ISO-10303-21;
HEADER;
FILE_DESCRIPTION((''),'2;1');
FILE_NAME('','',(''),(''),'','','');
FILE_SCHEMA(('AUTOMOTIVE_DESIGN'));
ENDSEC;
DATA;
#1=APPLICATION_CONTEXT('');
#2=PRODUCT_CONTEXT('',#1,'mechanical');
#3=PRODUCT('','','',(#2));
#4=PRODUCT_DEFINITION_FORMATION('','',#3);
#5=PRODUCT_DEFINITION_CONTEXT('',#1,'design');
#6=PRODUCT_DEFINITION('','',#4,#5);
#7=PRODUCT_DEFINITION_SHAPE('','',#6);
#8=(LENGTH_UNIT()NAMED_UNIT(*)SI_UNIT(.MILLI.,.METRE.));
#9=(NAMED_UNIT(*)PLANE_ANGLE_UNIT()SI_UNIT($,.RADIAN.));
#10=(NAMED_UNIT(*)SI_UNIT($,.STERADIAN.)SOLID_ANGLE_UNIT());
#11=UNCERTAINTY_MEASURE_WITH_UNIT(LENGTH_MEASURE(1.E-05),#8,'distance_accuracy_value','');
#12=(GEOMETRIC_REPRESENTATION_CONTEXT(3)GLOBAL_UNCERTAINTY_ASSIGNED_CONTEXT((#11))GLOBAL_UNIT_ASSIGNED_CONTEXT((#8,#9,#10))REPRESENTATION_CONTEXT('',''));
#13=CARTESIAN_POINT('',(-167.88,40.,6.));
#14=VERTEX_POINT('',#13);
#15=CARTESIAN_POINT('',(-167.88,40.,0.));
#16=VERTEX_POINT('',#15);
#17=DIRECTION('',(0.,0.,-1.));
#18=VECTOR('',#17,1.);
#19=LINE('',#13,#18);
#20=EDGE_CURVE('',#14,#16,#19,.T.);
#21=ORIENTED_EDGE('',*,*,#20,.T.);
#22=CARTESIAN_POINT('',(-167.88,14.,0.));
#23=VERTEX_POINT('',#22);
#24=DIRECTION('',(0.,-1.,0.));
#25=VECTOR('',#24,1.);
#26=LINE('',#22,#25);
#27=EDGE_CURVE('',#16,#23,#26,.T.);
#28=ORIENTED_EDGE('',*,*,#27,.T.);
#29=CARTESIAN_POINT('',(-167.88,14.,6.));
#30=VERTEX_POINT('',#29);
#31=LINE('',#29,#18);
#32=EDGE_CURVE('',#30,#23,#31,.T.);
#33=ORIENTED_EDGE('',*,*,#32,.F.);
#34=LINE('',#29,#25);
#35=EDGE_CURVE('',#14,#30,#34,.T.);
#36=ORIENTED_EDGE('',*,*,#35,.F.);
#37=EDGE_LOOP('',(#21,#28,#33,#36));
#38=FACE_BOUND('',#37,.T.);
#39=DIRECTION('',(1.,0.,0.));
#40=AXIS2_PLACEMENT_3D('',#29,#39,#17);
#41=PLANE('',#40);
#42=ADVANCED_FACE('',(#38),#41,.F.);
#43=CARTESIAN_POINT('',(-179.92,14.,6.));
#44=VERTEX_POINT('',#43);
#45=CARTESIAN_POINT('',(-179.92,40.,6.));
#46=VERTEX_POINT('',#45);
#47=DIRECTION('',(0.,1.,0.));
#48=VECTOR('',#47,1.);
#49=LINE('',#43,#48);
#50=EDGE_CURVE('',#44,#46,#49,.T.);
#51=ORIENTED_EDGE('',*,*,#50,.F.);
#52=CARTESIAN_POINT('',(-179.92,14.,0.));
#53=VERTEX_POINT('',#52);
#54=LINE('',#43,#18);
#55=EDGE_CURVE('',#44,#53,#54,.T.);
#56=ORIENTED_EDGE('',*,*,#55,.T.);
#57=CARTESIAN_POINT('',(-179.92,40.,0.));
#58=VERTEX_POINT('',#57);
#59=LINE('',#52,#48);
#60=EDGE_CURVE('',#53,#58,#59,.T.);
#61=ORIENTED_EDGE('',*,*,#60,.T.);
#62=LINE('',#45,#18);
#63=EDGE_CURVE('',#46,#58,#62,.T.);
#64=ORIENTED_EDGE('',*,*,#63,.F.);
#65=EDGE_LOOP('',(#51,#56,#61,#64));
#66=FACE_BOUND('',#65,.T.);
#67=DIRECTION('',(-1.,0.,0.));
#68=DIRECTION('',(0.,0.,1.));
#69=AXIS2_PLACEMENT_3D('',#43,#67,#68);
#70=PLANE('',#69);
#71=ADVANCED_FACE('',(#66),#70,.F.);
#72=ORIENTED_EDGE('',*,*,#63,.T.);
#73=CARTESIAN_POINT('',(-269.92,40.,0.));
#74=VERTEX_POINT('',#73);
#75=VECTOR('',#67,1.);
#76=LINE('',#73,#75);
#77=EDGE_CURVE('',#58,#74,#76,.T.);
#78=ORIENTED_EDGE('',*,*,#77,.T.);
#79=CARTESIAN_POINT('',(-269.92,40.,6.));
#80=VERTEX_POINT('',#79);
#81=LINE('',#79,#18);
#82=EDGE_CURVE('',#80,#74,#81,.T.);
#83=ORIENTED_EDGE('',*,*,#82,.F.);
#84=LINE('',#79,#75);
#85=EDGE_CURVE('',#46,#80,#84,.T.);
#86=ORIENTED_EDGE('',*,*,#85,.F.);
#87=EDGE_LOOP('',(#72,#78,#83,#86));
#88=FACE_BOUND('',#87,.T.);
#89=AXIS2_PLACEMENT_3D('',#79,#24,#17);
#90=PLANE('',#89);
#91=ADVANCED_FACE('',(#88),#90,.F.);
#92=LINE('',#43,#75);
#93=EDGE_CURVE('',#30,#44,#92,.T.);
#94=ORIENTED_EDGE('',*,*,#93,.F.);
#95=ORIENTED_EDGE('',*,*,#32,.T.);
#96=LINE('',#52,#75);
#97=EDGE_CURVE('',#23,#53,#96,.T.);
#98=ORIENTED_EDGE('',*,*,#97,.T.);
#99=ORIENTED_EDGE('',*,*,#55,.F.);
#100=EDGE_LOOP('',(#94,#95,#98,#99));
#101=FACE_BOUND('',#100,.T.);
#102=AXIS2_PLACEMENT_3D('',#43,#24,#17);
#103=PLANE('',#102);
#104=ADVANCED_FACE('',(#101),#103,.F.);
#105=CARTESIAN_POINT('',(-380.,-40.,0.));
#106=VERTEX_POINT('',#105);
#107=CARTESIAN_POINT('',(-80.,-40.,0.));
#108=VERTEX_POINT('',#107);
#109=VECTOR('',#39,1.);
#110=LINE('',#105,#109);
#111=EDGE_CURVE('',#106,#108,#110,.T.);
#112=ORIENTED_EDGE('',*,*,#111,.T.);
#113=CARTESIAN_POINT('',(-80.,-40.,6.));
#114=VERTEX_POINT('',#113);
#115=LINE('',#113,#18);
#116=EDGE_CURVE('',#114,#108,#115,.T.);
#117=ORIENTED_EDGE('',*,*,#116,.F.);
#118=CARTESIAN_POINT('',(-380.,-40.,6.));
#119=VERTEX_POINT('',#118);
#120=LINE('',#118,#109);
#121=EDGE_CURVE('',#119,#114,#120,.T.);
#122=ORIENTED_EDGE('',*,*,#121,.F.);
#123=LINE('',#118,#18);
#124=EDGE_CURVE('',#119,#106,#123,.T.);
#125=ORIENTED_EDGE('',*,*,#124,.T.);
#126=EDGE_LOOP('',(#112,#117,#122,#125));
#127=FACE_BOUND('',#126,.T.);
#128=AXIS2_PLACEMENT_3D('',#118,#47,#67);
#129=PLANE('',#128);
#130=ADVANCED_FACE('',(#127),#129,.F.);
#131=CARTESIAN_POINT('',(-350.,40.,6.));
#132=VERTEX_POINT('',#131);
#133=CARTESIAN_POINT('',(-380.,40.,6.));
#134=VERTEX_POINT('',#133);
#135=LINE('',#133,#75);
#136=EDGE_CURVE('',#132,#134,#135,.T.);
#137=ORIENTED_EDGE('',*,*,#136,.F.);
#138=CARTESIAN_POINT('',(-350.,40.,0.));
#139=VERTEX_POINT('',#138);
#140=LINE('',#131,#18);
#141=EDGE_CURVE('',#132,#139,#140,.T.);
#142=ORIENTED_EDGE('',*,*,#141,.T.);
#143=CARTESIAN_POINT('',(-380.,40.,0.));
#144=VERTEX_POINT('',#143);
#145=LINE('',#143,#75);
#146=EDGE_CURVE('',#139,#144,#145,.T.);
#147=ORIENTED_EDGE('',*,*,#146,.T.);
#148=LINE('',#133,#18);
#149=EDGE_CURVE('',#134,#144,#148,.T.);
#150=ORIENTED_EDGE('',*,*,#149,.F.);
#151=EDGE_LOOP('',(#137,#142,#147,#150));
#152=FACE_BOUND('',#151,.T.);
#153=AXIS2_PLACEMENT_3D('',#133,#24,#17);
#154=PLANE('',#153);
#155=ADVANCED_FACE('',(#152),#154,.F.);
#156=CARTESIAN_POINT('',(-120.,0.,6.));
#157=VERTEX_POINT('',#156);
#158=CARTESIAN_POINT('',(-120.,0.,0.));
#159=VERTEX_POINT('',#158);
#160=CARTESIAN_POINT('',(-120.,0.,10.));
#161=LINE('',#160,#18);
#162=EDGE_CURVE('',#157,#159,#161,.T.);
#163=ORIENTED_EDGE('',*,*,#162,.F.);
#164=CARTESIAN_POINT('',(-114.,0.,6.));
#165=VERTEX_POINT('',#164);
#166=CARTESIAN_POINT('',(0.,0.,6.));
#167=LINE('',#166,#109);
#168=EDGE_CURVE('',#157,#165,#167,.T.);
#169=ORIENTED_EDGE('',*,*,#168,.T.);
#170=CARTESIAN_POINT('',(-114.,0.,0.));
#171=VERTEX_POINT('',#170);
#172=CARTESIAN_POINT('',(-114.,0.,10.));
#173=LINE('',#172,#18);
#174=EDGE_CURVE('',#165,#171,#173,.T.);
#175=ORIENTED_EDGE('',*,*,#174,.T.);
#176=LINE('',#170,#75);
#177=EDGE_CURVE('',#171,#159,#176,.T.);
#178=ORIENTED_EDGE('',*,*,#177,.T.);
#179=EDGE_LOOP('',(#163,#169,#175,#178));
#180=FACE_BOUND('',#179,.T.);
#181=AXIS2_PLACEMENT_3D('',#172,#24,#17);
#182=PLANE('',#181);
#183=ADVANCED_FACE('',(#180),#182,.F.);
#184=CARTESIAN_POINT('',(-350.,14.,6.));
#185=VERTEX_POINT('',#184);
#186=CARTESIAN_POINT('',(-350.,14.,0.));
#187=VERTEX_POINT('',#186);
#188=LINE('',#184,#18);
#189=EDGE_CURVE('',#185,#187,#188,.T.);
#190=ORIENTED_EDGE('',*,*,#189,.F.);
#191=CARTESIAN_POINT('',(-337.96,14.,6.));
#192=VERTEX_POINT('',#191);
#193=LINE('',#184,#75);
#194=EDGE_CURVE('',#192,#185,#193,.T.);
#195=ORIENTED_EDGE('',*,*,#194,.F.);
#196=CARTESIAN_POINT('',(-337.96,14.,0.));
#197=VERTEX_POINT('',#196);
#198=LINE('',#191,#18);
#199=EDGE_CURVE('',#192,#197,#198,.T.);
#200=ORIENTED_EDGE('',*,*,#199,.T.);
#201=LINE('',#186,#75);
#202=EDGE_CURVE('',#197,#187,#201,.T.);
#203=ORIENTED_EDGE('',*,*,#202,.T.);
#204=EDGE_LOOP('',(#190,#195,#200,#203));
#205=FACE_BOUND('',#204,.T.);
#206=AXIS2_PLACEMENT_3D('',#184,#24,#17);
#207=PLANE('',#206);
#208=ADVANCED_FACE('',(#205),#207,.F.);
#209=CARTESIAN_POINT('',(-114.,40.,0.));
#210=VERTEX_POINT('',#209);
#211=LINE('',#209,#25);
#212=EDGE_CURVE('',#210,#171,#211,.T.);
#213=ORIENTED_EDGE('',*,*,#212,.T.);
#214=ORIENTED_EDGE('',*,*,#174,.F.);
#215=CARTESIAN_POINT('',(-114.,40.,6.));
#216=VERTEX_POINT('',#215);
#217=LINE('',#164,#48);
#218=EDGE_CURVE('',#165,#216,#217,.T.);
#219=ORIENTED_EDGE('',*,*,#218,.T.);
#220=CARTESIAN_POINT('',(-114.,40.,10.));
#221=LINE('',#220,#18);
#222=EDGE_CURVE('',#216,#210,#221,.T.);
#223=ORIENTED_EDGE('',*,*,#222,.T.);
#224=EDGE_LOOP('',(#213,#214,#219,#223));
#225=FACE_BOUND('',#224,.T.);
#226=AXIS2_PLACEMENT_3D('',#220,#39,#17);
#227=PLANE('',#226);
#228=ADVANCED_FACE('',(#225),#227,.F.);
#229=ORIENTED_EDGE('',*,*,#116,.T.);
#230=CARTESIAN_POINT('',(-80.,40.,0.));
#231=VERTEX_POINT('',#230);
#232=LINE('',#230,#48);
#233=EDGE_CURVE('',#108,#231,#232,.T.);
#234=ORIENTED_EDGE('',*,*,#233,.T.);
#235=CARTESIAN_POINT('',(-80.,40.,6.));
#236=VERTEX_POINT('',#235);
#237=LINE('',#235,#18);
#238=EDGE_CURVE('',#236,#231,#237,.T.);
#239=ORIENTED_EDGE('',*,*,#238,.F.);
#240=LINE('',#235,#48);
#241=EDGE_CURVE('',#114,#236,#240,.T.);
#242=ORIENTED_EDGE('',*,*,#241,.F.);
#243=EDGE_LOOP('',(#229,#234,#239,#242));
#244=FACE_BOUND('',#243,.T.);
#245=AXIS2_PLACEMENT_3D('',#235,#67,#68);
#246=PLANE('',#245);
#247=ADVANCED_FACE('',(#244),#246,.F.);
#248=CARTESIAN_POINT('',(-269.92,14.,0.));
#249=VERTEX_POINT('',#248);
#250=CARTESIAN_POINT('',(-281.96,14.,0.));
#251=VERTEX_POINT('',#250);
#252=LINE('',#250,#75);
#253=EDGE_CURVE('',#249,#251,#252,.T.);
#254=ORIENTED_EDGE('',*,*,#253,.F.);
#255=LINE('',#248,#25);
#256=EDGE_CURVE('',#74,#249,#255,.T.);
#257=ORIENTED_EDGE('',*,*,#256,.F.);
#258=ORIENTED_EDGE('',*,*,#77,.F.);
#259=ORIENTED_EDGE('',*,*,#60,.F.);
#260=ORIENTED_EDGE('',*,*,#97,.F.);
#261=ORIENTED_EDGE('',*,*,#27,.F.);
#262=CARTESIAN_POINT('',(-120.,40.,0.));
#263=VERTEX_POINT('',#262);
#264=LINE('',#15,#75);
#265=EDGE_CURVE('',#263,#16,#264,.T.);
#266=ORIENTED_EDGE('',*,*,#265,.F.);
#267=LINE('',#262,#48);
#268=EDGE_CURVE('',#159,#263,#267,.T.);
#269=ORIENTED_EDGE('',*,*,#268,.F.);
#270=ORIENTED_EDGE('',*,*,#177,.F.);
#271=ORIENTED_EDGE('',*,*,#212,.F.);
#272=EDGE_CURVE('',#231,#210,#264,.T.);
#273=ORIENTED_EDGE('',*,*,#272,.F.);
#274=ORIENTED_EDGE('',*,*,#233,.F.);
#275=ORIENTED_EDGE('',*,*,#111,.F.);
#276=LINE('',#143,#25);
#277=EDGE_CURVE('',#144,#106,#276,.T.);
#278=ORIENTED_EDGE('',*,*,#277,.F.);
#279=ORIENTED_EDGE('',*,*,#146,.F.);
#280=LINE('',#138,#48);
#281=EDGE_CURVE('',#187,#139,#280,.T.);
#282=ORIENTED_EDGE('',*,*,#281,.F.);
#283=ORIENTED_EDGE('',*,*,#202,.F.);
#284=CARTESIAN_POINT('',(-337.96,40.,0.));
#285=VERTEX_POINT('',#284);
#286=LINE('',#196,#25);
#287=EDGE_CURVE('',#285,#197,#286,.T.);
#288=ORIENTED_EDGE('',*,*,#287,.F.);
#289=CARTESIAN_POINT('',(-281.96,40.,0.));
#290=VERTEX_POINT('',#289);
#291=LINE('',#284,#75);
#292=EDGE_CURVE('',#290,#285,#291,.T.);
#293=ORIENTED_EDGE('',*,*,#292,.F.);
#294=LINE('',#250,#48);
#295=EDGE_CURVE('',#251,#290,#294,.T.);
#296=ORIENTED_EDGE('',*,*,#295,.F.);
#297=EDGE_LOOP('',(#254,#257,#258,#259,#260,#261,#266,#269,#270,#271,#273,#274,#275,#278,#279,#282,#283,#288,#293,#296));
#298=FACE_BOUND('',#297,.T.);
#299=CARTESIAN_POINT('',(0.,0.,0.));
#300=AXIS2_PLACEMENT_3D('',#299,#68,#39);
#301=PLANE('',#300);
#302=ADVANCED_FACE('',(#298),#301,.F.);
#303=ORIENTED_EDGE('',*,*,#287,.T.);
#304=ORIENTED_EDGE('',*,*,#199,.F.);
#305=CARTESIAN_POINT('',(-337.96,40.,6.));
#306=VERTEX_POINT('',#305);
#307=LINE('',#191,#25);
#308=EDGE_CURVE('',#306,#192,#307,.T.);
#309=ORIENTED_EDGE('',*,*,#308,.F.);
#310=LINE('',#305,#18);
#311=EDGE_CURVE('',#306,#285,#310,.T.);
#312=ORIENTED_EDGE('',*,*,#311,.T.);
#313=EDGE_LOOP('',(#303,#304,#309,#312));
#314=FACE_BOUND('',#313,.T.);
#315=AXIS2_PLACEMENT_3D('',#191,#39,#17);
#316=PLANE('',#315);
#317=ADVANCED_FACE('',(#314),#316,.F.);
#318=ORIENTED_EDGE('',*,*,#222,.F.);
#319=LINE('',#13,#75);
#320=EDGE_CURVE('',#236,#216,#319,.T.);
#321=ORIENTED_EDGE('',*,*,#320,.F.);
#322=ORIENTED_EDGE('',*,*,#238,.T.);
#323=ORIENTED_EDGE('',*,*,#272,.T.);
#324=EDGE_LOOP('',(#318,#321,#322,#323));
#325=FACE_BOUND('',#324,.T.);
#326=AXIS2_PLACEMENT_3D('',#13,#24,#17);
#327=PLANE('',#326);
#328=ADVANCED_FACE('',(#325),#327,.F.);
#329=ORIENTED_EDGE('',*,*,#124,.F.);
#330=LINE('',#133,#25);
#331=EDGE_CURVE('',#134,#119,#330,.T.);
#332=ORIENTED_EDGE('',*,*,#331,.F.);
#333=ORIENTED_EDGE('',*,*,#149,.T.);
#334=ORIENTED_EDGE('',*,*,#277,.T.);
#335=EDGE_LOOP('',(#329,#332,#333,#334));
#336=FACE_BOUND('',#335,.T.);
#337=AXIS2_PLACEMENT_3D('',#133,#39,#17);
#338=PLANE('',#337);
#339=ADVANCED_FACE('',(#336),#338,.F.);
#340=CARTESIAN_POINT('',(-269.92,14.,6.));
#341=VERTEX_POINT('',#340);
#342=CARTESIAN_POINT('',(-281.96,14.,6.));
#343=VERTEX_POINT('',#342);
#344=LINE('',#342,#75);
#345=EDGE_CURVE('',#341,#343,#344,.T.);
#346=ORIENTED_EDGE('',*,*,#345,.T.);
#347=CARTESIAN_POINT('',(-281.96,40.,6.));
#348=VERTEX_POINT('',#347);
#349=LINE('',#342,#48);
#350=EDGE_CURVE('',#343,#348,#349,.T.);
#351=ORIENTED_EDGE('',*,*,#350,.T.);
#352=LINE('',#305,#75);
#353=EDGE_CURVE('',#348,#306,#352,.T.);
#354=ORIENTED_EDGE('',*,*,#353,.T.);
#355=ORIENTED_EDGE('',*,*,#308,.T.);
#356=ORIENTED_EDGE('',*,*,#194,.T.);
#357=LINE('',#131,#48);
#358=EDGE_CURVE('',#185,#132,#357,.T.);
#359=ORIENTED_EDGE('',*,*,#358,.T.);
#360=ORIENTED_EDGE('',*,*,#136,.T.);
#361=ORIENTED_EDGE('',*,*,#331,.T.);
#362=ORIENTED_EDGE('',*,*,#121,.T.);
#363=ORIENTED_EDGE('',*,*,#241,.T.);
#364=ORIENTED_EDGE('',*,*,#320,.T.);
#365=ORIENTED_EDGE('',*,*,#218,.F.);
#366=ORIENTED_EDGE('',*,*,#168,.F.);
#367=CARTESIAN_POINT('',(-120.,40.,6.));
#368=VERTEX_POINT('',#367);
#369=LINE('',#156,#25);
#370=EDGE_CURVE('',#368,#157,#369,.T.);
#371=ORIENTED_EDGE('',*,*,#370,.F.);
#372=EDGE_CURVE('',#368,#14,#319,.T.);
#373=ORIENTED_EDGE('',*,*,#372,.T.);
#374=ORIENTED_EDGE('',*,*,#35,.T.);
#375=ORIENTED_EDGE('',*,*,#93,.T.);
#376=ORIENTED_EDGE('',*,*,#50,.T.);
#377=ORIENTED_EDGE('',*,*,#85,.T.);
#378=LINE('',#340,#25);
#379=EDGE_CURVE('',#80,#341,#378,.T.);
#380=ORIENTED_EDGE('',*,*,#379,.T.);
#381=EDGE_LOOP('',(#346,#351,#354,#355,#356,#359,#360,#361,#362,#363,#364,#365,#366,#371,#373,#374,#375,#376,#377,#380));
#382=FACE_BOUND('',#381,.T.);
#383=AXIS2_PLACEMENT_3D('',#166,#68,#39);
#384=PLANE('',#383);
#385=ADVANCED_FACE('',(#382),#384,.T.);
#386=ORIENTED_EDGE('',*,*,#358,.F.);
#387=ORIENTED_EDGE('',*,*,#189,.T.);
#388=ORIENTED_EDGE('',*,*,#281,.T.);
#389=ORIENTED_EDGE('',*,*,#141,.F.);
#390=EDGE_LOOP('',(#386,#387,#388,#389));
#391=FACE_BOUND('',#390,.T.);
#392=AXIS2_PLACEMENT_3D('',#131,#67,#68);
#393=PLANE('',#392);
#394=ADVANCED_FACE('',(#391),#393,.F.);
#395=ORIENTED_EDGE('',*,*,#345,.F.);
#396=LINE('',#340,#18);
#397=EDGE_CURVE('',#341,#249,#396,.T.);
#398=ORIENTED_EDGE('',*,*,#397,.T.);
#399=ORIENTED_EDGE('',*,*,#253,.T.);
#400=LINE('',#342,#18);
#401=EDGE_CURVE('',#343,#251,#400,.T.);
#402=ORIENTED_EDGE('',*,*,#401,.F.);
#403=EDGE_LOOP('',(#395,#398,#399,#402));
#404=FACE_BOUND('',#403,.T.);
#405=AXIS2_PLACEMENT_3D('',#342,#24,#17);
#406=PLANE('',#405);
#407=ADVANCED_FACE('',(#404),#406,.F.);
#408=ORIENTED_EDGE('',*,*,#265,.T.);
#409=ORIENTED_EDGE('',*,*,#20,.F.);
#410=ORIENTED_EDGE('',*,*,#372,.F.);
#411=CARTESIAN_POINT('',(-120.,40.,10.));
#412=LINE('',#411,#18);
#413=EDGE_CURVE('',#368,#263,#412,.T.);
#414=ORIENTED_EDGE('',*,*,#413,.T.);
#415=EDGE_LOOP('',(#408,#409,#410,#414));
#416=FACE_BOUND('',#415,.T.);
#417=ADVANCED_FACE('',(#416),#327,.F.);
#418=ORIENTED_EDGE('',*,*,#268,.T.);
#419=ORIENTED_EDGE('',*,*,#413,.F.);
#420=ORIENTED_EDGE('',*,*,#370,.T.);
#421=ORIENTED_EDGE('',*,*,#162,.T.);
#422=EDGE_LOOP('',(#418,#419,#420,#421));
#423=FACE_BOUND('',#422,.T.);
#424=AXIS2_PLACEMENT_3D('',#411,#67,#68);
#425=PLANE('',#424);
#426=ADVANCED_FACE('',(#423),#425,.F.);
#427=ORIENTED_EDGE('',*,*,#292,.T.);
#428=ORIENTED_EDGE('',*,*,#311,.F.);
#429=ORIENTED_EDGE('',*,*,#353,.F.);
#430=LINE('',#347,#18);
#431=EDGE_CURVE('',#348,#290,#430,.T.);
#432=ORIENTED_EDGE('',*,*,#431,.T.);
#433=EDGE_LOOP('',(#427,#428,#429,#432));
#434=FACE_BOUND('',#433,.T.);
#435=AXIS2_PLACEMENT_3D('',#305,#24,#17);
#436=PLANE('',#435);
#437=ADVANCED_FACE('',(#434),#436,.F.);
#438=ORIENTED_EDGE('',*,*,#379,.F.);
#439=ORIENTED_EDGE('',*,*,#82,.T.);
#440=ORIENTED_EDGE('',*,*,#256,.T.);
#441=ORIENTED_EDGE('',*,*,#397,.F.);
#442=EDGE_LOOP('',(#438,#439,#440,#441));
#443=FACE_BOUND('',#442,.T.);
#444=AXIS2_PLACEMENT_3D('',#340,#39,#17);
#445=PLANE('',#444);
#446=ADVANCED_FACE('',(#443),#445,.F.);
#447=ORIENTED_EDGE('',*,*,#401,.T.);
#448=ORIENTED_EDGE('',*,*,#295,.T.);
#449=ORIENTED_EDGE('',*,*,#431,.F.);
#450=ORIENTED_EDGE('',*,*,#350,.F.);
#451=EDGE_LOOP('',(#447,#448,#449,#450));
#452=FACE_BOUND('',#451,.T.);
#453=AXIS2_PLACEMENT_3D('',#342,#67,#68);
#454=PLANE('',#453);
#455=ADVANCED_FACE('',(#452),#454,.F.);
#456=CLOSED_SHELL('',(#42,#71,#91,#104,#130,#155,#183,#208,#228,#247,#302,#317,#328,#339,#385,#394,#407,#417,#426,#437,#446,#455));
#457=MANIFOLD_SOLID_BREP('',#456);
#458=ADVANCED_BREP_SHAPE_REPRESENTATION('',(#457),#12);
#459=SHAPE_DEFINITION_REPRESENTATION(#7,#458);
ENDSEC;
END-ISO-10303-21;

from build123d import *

# Parameters (mm, degrees)
BOSS_EXTRUDE1_DEPTH = 6
SKETCH2_W           = 6
SKETCH2_H           = 40
CUT_EXTRUDE1_DEPTH  = 10


with BuildPart() as part:
    # Sketch1 → Boss-Extrude1 (new body)
    with BuildSketch(Plane.XY):
        Polygon((-350, 40), (-350, 14), (-337.96, 14), (-337.96, 40), (-281.96, 40), (-281.96, 14), (-269.92, 14), (-269.92, 40), (-179.92, 40), (-179.92, 14), (-167.88, 14), (-167.88, 40), (-80, 40), (-80, -40), (-380, -40), (-380, 40), align=None)
    extrude(amount=BOSS_EXTRUDE1_DEPTH)

    # Sketch2 → Cut-Extrude1 (cut)
    with BuildSketch(Plane(origin=(0, 0, 0), x_dir=(-1, 0, 0), z_dir=(0, 0, -1))):
        with Locations((57, 20)):
            Rectangle(SKETCH2_W, SKETCH2_H)
        with Locations((117, 20)):
            Rectangle(SKETCH2_W, SKETCH2_H)
    extrude(amount=-CUT_EXTRUDE1_DEPTH, mode=Mode.SUBTRACT)


solid = part.part
